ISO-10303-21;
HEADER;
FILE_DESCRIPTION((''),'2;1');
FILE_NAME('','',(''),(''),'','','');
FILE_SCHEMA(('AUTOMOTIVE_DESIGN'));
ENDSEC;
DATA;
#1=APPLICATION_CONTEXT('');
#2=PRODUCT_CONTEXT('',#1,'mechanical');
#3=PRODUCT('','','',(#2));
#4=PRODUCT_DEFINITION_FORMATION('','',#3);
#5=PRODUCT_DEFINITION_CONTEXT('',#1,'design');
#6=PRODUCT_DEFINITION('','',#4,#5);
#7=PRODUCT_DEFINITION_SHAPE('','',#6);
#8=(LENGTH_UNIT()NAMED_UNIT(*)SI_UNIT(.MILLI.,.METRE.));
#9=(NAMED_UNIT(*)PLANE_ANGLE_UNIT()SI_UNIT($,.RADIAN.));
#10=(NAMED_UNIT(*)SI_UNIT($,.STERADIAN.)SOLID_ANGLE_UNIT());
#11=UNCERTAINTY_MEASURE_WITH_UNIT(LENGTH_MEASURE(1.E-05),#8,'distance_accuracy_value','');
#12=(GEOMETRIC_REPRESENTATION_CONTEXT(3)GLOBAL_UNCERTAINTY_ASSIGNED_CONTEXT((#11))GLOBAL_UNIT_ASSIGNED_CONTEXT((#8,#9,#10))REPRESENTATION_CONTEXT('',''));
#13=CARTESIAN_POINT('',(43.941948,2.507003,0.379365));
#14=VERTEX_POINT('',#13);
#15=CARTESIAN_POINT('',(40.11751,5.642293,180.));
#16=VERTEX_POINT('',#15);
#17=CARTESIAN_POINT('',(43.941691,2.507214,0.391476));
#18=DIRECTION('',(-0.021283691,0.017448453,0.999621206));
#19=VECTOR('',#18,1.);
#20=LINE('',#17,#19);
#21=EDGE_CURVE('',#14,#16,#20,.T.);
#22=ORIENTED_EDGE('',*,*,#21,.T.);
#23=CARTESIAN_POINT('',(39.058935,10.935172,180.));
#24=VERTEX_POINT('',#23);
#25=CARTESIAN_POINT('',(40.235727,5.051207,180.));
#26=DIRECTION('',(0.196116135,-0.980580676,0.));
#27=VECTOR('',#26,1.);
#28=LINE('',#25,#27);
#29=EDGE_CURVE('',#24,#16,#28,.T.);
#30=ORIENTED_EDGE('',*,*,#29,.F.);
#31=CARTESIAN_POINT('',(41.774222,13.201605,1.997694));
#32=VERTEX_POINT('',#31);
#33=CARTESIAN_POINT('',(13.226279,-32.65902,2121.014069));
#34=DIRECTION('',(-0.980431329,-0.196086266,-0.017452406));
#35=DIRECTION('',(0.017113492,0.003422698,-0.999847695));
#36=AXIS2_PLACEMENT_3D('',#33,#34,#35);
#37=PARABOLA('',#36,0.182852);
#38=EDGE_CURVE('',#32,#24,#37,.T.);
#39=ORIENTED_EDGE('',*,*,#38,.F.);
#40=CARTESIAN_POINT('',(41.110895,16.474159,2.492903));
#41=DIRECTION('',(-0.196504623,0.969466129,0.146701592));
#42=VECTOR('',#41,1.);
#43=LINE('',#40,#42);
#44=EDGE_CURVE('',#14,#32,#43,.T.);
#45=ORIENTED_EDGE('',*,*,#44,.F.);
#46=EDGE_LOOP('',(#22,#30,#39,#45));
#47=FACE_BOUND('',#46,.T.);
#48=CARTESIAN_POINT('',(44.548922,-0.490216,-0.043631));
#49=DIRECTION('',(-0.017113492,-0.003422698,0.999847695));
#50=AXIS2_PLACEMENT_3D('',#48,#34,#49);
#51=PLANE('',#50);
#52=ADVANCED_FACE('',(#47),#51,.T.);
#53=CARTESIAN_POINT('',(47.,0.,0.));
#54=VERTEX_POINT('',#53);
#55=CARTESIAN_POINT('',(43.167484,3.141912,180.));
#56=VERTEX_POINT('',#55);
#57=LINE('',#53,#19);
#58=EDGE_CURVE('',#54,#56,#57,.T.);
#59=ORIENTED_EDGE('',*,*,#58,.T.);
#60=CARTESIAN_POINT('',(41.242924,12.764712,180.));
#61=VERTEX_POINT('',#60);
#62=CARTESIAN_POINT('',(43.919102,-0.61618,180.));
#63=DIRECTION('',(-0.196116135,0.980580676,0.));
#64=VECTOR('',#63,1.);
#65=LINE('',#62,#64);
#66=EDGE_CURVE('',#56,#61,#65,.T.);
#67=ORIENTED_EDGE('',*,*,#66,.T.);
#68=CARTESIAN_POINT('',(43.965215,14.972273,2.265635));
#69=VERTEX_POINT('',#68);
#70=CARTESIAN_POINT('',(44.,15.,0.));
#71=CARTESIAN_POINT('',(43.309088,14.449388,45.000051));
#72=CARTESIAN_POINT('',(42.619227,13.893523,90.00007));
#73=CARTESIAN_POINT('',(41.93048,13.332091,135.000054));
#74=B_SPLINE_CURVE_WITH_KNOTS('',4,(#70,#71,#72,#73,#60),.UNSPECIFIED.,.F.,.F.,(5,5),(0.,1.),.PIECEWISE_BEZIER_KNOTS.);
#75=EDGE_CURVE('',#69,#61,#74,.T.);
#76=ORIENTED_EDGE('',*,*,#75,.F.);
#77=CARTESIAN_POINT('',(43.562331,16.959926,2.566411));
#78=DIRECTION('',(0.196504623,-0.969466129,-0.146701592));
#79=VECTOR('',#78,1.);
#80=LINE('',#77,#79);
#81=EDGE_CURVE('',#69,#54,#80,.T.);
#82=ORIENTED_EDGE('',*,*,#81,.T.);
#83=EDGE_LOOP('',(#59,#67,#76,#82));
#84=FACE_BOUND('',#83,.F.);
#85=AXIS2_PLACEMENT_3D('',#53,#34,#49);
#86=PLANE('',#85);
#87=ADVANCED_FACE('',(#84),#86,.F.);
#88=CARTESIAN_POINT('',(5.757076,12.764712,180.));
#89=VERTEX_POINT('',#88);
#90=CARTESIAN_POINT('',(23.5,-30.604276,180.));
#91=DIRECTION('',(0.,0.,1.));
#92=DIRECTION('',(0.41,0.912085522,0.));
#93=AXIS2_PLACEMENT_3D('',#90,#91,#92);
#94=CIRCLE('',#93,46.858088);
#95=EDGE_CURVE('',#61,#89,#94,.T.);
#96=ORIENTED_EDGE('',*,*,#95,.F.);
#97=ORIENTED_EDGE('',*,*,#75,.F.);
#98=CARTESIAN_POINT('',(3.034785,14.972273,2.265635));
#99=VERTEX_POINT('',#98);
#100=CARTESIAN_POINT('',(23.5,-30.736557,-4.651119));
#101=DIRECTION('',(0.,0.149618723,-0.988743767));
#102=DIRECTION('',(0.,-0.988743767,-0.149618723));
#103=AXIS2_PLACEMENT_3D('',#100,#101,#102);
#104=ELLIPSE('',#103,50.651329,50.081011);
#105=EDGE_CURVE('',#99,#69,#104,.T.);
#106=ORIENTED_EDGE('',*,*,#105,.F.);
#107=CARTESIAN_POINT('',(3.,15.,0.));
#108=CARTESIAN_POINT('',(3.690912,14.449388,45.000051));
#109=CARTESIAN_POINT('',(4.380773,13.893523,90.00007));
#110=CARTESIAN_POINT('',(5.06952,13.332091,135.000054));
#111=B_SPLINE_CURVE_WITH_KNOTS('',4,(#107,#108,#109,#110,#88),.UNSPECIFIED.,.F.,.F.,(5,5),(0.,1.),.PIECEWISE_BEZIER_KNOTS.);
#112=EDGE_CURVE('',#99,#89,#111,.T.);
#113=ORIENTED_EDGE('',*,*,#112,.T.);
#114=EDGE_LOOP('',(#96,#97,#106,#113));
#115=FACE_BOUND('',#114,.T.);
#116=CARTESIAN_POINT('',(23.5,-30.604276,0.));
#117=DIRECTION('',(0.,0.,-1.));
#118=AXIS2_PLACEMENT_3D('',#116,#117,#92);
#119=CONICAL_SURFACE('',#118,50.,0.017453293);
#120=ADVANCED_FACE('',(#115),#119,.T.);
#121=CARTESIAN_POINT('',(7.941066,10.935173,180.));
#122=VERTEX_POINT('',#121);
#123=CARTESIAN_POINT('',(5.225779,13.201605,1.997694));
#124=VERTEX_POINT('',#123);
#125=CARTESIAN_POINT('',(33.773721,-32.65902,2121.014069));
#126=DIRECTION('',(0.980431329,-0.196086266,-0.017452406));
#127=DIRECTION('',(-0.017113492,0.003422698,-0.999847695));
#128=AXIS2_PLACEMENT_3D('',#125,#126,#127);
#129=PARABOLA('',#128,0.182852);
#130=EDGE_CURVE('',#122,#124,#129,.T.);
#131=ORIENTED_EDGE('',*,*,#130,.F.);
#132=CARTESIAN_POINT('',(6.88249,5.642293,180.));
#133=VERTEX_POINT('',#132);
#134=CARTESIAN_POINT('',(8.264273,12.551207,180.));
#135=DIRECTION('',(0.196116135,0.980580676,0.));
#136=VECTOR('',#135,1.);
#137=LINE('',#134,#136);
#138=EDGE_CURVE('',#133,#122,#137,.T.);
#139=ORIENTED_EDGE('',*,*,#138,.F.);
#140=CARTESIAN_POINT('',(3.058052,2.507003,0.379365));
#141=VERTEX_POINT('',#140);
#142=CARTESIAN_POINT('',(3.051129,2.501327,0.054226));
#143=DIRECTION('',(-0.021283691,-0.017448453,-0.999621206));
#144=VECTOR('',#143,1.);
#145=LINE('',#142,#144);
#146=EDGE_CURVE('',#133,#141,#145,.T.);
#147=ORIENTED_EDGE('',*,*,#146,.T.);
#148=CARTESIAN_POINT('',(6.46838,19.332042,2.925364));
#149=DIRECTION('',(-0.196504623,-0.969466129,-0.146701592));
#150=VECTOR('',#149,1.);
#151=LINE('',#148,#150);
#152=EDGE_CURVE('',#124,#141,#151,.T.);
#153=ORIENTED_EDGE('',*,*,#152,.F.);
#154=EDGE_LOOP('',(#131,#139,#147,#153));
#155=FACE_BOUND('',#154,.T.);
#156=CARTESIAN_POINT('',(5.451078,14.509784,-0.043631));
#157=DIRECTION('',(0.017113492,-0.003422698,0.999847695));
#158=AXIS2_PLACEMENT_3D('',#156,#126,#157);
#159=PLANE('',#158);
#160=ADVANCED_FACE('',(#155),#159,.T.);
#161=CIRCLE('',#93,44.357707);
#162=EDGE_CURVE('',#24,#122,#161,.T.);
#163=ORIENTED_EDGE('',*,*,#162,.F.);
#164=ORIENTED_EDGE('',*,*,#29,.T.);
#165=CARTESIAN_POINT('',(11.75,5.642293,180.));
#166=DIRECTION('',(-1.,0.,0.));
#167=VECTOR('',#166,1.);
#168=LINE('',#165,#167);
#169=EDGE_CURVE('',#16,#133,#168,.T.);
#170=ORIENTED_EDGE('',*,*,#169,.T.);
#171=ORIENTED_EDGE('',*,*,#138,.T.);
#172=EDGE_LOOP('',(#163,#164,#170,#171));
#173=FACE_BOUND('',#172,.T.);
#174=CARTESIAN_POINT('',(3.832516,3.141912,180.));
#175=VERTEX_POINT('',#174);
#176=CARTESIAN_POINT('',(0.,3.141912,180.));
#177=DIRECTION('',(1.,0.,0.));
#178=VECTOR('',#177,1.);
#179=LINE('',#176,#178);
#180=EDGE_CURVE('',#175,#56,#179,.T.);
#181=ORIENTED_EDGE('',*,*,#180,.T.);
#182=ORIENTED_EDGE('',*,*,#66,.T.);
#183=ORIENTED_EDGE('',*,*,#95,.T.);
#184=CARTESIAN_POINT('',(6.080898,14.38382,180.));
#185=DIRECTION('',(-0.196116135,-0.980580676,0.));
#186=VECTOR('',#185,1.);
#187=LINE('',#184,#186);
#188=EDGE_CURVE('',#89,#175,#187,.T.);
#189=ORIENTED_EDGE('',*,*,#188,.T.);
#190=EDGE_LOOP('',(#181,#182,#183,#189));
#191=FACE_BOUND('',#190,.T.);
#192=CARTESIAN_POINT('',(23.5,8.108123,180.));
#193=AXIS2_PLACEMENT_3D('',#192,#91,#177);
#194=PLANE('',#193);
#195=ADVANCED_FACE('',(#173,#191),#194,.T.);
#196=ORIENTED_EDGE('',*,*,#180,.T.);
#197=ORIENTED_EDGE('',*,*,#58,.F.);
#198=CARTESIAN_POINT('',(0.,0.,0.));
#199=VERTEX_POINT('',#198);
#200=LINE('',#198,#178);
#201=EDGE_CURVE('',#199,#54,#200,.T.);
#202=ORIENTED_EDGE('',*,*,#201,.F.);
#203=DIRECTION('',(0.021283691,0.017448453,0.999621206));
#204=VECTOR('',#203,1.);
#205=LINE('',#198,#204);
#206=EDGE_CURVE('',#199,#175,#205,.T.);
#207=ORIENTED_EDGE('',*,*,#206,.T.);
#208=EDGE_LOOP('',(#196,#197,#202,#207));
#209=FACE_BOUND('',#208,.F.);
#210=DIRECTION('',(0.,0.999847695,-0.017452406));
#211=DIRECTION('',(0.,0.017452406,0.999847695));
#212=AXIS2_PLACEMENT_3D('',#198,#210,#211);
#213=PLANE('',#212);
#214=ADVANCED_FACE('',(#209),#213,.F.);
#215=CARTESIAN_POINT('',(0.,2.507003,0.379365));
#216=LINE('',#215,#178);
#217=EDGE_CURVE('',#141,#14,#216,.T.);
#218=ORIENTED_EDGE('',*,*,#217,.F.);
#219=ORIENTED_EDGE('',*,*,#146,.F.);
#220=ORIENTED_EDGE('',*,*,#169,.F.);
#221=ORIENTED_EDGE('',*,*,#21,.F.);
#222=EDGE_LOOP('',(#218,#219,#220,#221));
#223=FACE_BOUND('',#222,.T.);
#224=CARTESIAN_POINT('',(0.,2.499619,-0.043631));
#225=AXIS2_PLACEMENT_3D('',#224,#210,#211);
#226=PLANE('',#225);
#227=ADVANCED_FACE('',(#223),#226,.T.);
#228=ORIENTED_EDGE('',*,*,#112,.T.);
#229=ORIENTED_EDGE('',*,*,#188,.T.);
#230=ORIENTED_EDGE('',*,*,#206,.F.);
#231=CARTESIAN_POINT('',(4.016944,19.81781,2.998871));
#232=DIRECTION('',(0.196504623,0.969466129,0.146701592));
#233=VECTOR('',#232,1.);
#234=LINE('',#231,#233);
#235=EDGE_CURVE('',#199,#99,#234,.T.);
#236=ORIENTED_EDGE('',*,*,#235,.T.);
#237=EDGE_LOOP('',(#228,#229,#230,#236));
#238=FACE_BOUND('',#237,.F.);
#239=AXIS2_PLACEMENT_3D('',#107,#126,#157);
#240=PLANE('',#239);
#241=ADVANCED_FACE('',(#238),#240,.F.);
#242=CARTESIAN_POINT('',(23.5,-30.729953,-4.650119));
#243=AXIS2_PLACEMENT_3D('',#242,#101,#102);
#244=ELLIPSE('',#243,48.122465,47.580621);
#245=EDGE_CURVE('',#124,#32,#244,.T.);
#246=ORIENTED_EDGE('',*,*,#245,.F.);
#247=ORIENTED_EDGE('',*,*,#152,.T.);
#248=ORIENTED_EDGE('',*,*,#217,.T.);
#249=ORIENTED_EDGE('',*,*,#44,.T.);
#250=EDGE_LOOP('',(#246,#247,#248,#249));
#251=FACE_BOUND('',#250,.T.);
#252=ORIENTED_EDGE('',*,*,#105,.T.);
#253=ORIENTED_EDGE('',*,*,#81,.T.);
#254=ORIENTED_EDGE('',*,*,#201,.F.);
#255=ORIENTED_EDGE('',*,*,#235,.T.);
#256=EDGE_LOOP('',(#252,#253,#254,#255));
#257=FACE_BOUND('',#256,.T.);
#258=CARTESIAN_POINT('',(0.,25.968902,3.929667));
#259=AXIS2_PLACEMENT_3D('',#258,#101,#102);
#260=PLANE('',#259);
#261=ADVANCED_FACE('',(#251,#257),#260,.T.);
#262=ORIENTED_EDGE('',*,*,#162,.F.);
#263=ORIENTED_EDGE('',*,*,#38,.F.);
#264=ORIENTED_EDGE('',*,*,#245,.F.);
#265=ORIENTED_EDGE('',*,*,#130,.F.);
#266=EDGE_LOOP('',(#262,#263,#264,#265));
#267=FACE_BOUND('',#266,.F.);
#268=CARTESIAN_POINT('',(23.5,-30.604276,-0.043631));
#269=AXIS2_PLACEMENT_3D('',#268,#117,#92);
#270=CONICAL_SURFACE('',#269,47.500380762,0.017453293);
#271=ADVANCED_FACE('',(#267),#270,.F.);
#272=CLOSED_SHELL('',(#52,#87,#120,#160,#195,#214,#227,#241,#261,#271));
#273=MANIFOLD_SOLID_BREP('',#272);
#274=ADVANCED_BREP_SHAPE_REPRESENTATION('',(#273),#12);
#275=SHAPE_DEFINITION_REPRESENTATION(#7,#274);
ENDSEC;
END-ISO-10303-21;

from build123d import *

# Parameters (mm, degrees)
F0_DEPTH = 180
F0_TAPER = 1
F2_DEPTH = 100
F4_T     = -2.5


with BuildPart() as f0:
    # F3 (on Top) → F0 (new body)
    with BuildSketch(Plane.XY):
        with BuildLine():
            Line((3, 15), (0, 0))
            Line((0, 0), (47, 0))
            Line((47, 0), (44, 15))
            ThreePointArc((44, 15), (23.5, 19.3957238847), (3, 15))
        make_face()
    extrude(amount=F0_DEPTH, taper=F0_TAPER)

    # F1 (on Right) → F2 (cut)
    with BuildSketch(Plane.YZ):
        Polygon((25.968901813, 3.9296671748), (0, 0), (-2.0501518156, -6.7397900857), (27.46424824, -6.7397900857), (27.54820722, -6.5070505478), align=None)
    extrude(amount=F2_DEPTH, mode=Mode.SUBTRACT)

    # F4
    f4_openings = [f0.faces().sort_by_distance(p)[0] for p in [
        (23.5, 8.769434, 1.327009),
        (23.5, 9.052127, 180),
    ]]
    offset(amount=F4_T, openings=f4_openings, kind=Kind.INTERSECTION)


solid = f0.part
